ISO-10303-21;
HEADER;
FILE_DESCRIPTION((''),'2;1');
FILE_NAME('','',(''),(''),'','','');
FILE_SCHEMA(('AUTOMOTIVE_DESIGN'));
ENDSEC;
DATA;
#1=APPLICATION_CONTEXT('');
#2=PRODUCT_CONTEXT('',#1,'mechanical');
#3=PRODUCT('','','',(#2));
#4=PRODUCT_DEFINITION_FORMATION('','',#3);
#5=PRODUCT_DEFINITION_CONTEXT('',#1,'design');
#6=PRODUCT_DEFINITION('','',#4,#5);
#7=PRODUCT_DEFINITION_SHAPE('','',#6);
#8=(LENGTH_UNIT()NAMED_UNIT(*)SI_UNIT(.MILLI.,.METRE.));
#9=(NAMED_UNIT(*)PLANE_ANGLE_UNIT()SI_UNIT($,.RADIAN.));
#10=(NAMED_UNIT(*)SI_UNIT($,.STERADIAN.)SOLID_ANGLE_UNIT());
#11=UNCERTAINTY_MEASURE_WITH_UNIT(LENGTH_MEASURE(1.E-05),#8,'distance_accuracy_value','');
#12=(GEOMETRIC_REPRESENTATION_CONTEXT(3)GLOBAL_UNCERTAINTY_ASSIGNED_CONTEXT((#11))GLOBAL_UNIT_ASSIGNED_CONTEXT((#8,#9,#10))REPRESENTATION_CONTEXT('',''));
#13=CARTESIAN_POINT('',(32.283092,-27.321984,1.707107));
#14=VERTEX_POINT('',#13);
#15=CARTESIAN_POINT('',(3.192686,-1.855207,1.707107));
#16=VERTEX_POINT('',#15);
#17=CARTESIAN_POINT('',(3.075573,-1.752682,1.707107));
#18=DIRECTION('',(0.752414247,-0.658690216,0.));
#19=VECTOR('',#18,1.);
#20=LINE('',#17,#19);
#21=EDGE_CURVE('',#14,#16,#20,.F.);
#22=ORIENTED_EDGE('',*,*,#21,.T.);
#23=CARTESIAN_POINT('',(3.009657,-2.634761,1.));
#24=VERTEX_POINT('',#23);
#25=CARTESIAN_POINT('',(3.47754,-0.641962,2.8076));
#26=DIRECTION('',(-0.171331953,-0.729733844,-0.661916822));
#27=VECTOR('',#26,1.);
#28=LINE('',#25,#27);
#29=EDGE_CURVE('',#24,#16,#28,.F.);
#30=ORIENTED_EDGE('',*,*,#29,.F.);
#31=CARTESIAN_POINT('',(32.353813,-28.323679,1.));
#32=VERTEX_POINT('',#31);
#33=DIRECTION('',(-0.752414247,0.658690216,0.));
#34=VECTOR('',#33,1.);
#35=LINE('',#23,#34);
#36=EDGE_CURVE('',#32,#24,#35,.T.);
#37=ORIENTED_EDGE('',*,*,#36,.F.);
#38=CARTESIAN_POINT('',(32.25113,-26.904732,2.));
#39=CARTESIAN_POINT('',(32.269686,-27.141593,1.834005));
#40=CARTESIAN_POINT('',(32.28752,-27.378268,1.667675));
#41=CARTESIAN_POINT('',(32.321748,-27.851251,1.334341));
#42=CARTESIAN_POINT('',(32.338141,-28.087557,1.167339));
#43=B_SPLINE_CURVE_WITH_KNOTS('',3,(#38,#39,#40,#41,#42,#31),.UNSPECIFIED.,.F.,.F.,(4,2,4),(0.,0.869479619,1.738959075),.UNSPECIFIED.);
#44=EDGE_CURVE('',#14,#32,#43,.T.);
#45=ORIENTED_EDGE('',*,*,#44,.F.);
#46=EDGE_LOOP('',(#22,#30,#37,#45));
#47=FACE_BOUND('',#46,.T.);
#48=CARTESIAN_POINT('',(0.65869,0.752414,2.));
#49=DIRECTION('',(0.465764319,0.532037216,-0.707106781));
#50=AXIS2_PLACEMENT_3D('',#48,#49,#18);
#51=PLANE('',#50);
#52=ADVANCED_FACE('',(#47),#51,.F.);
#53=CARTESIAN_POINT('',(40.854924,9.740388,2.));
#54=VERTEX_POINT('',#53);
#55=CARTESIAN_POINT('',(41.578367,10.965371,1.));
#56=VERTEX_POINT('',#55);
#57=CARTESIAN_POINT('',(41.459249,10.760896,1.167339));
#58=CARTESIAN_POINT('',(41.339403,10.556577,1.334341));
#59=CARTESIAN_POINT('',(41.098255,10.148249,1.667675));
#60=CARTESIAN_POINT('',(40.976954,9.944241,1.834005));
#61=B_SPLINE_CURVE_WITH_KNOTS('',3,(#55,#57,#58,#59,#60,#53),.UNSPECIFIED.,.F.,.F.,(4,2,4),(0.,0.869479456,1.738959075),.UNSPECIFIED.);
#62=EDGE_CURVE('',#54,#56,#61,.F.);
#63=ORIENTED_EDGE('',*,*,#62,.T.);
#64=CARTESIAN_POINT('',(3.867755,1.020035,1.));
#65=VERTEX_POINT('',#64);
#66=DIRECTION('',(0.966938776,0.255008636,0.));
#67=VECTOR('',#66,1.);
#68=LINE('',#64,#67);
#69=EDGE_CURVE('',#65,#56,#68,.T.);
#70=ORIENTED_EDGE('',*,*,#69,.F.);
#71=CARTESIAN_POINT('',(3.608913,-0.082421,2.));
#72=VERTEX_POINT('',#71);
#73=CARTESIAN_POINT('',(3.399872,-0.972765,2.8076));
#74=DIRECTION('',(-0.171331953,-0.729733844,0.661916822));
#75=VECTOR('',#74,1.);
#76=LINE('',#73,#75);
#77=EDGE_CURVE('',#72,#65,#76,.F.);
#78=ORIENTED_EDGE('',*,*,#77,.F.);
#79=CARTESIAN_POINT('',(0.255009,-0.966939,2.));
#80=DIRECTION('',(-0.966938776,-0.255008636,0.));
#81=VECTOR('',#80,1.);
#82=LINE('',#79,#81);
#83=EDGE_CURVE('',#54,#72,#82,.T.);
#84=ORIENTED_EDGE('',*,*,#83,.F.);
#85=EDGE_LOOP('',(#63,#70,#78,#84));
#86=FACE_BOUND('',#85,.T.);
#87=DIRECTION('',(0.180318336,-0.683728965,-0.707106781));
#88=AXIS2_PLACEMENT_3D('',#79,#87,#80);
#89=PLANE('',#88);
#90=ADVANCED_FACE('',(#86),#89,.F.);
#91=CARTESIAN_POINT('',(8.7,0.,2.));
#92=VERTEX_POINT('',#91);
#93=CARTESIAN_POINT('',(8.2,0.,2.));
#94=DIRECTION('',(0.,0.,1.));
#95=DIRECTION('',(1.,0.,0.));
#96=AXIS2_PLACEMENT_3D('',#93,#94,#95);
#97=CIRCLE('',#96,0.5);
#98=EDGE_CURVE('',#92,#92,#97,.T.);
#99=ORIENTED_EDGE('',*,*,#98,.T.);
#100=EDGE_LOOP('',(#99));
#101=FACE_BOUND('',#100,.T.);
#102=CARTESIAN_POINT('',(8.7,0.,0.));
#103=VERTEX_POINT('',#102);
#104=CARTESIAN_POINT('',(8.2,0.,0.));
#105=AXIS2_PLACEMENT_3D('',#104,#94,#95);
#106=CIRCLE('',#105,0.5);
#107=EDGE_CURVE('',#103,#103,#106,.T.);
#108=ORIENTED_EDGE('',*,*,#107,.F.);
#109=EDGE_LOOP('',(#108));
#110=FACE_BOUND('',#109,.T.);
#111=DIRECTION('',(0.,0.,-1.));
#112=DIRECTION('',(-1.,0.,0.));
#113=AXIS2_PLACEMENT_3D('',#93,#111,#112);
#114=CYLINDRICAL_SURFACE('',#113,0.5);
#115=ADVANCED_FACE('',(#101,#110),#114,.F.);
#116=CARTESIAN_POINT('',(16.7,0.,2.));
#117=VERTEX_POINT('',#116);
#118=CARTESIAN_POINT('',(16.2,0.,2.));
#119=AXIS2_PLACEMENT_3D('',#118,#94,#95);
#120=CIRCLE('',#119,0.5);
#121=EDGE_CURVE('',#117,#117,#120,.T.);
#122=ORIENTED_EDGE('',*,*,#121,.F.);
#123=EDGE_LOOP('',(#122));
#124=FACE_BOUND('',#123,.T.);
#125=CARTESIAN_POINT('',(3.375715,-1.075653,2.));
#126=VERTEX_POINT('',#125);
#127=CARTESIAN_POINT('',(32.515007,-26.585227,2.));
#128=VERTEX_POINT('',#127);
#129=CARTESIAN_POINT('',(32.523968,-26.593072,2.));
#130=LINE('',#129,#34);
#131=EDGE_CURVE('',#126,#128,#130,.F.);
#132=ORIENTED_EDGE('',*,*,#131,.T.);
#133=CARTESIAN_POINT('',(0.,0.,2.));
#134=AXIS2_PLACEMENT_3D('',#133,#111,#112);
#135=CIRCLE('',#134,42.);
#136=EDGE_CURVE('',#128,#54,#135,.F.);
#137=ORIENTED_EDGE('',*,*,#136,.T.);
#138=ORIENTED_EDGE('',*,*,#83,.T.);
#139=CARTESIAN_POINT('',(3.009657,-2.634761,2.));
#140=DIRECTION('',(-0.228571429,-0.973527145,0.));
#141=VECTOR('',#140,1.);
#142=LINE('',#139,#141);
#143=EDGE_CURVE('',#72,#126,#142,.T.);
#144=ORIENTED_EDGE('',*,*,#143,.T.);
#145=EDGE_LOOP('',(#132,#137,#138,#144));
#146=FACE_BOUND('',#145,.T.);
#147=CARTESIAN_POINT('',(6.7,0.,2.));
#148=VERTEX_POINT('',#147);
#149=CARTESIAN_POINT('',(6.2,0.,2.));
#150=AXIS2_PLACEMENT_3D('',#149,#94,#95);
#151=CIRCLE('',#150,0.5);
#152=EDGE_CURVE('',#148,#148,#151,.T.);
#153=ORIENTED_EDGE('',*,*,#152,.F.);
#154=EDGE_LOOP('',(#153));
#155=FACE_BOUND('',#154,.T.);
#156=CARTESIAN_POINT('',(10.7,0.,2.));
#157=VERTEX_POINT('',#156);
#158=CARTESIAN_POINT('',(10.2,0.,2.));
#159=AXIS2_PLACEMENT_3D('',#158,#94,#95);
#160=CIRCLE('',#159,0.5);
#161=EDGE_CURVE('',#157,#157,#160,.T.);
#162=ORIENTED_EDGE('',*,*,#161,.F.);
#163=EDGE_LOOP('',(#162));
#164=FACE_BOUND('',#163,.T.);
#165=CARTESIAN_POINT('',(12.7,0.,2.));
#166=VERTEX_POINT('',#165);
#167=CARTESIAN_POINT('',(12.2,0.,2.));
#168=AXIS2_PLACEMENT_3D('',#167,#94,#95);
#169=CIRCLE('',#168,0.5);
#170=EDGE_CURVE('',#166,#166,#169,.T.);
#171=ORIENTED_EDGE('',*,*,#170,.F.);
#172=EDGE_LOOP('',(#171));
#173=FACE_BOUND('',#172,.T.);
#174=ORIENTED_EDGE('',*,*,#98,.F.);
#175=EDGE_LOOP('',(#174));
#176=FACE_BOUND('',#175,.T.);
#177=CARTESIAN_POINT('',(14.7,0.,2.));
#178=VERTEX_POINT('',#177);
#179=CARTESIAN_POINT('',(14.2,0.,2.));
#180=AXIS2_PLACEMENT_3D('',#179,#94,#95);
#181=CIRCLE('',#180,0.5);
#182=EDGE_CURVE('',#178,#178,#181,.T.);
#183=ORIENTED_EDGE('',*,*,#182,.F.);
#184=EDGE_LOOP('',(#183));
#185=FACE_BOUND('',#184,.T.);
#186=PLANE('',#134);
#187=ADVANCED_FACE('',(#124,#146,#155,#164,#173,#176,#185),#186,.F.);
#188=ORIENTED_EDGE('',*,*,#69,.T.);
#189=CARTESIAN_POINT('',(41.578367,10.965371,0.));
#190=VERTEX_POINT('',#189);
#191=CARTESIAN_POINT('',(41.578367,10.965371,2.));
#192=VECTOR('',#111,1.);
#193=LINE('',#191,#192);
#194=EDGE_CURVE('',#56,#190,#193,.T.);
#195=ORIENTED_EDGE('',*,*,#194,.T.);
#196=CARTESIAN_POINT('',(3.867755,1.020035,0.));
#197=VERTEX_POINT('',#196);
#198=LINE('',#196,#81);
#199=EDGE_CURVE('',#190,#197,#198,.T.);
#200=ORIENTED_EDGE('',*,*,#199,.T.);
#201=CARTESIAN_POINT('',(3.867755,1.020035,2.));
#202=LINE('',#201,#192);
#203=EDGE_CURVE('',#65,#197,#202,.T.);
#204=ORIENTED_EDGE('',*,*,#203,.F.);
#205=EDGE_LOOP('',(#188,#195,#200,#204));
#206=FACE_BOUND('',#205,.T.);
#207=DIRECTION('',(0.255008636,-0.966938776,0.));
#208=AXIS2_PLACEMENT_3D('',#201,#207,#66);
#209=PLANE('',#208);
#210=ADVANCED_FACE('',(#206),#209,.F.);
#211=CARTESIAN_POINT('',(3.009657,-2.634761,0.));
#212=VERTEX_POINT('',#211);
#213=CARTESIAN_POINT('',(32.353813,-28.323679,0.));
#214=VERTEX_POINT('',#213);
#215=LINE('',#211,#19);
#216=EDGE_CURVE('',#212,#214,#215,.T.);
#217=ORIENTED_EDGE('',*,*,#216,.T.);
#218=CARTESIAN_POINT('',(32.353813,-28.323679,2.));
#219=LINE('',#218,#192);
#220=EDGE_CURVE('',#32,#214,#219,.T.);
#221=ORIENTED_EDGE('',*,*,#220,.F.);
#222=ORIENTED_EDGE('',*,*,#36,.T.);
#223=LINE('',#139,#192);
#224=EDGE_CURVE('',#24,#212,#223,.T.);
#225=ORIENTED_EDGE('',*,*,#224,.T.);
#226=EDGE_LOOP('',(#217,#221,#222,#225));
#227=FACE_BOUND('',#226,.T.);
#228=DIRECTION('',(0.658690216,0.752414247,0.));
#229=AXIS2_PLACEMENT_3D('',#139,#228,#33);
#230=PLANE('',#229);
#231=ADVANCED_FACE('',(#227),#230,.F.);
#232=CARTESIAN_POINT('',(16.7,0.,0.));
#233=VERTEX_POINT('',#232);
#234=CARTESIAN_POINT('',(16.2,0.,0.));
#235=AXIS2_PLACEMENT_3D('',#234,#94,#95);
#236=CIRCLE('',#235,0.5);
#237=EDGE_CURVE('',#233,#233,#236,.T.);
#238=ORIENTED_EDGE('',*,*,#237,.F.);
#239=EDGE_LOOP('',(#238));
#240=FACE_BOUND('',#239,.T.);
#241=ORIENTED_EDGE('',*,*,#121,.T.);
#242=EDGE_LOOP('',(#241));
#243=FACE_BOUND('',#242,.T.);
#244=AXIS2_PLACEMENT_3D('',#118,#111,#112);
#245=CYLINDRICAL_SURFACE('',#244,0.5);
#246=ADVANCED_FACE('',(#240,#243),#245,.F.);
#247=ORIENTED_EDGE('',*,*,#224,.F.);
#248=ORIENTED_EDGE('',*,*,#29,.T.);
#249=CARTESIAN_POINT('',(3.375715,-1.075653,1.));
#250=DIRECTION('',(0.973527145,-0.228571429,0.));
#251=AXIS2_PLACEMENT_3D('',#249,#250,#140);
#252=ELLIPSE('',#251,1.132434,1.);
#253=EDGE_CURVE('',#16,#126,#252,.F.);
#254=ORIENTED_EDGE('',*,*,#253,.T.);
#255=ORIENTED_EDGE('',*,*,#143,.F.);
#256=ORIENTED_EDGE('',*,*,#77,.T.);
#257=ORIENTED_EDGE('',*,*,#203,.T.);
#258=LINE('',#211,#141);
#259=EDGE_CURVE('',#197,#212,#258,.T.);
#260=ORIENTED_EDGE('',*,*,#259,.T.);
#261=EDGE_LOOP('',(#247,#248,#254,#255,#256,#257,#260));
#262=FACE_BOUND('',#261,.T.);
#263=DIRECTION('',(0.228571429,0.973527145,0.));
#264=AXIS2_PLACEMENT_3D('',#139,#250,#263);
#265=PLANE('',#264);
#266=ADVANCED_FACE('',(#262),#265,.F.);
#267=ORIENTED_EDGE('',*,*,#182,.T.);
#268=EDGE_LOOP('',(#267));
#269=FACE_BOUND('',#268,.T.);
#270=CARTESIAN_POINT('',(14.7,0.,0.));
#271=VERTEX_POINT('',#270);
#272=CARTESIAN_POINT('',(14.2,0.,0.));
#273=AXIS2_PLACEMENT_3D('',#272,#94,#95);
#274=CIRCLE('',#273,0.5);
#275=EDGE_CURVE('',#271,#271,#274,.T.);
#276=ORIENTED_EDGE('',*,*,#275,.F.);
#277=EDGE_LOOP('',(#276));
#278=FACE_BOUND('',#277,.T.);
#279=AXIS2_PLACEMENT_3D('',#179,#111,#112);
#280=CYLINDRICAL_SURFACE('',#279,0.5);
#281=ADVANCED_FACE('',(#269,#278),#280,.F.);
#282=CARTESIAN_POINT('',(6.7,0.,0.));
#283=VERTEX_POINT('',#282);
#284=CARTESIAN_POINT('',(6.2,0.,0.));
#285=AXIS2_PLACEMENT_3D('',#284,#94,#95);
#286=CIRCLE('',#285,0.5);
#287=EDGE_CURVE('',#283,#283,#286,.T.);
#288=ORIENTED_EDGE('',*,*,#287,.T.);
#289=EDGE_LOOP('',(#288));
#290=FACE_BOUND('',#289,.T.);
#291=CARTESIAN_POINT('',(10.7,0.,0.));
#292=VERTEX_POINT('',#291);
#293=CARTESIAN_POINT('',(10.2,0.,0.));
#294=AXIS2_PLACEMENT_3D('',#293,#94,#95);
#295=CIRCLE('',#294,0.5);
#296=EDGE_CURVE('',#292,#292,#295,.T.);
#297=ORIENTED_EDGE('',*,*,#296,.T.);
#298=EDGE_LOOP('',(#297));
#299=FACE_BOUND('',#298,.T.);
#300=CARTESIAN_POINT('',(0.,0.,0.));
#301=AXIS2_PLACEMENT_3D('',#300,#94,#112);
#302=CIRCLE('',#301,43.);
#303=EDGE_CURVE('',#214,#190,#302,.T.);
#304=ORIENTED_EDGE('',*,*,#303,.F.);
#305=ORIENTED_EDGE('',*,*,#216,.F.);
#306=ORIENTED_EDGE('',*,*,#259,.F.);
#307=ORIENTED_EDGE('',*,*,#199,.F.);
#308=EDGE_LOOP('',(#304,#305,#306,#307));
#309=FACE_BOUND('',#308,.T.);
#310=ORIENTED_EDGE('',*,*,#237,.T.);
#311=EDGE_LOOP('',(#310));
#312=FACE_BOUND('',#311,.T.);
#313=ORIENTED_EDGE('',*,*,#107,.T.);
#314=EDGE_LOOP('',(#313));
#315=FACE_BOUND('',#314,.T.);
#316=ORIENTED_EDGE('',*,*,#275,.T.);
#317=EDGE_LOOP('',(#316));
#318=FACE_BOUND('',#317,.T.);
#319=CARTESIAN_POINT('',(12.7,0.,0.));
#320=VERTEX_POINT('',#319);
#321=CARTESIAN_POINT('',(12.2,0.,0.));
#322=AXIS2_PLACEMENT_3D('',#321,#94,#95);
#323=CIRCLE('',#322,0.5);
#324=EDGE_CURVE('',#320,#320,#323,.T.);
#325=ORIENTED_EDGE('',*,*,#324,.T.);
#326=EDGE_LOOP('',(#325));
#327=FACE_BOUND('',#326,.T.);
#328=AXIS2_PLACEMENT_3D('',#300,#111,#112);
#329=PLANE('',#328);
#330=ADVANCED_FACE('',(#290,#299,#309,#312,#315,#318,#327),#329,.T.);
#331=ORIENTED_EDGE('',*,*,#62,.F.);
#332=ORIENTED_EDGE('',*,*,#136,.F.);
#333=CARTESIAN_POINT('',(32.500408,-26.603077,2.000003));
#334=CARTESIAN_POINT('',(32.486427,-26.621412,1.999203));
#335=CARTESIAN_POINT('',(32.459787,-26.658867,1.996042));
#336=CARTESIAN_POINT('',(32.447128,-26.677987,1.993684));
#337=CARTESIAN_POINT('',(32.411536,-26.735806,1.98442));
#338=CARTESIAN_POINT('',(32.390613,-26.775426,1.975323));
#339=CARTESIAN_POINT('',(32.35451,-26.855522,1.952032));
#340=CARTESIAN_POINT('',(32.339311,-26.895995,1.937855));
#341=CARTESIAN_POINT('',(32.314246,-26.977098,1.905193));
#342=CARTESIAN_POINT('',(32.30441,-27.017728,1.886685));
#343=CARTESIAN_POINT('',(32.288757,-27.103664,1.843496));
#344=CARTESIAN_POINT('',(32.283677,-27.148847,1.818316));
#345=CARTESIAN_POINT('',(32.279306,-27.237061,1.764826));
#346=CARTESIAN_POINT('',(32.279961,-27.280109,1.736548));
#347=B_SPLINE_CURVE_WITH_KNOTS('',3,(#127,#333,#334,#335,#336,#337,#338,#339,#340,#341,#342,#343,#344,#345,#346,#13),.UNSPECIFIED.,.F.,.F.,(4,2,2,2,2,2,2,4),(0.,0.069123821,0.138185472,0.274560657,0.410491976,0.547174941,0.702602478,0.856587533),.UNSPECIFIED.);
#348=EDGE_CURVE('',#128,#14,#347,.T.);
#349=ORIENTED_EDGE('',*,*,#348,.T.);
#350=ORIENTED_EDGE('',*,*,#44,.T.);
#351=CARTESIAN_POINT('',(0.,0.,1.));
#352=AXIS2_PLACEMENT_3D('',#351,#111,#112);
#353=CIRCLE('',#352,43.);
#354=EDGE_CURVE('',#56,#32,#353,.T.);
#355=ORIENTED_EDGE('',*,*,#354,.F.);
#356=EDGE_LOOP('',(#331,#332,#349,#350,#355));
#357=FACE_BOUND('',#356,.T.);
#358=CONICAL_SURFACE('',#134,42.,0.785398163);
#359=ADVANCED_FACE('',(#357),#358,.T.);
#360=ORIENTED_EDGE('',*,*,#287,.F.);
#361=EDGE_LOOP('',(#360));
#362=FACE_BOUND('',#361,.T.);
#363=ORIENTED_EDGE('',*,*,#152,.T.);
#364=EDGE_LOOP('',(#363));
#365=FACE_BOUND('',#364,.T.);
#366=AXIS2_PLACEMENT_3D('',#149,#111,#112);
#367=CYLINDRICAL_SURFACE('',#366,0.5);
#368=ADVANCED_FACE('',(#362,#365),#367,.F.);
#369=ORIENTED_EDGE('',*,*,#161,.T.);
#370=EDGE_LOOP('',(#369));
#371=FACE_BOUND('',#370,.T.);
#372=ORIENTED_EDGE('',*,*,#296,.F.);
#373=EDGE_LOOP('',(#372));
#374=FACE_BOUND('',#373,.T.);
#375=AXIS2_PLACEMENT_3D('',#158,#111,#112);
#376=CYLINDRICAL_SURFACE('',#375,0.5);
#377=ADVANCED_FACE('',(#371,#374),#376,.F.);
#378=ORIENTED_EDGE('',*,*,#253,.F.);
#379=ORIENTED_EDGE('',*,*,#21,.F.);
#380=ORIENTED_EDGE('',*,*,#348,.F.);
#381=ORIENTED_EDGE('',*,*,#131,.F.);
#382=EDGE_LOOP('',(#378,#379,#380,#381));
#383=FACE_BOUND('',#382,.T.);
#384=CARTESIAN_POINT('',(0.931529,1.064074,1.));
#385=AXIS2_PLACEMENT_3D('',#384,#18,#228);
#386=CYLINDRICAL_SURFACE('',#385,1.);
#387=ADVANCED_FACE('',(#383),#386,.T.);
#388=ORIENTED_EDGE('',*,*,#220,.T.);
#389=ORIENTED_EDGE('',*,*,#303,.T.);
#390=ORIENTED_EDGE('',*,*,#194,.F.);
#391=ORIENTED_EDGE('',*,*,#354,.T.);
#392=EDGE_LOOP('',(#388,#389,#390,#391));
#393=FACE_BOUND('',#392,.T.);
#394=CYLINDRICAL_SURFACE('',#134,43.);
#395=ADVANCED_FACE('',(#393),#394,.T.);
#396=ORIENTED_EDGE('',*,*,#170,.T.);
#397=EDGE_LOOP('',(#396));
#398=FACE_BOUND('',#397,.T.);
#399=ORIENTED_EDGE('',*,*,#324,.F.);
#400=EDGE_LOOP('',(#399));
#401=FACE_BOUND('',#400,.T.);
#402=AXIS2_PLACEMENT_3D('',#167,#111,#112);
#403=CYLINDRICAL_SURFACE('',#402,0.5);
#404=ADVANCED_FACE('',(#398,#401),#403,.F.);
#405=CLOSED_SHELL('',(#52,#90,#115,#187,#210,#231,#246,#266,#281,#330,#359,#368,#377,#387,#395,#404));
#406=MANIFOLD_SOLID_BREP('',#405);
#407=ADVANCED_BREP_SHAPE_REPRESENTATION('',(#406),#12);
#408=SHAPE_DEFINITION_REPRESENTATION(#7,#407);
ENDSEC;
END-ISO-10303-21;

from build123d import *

# Parameters (mm, degrees)
SKETCH1_R           = 0.5
BOSS_EXTRUDE1_DEPTH = 2
CHAMFER1_SIZE       = 1
FILLET1_R           = 1


with BuildPart() as part:
    # Sketch1 → Boss-Extrude1 (new body)
    with BuildSketch(Plane.XY):
        with BuildLine():
            Line((3.867755102, 1.020034544), (41.578367347, 10.965371346))
            ThreePointArc((41.578367347, 10.965371346), (41.861667235, -9.828571429), (32.353812612, -28.323679307))
            Line((32.353812612, -28.323679307), (3.009656987, -2.634760866))
            Line((3.009656987, -2.634760866), (3.867755102, 1.020034544))
        make_face()
        with Locations((6.2, 0)):
            Circle(SKETCH1_R, mode=Mode.SUBTRACT)
        with Locations((8.2, 0)):
            Circle(SKETCH1_R, mode=Mode.SUBTRACT)
        with Locations((10.2, 0)):
            Circle(SKETCH1_R, mode=Mode.SUBTRACT)
        with Locations((12.2, 0)):
            Circle(SKETCH1_R, mode=Mode.SUBTRACT)
        with Locations((14.2, 0)):
            Circle(SKETCH1_R, mode=Mode.SUBTRACT)
        with Locations((16.2, 0)):
            Circle(SKETCH1_R, mode=Mode.SUBTRACT)
    extrude(amount=BOSS_EXTRUDE1_DEPTH)

    # Chamfer1
    chamfer1_edges = [part.edges().sort_by_distance(p)[0] for p in [
        (41.861667235, -9.828571429, 2),
        (22.723061224, 5.992702945, 2),
        (17.6817348, -15.479220086, 2),
    ]]
    chamfer(chamfer1_edges, length=CHAMFER1_SIZE)

    # Fillet1
    fillet1_edges = [part.edges().sort_by_distance(p)[0] for p in [
        (17.759814553, -14.218518771, 2),
    ]]
    fillet(fillet1_edges, radius=FILLET1_R)


solid = part.part
